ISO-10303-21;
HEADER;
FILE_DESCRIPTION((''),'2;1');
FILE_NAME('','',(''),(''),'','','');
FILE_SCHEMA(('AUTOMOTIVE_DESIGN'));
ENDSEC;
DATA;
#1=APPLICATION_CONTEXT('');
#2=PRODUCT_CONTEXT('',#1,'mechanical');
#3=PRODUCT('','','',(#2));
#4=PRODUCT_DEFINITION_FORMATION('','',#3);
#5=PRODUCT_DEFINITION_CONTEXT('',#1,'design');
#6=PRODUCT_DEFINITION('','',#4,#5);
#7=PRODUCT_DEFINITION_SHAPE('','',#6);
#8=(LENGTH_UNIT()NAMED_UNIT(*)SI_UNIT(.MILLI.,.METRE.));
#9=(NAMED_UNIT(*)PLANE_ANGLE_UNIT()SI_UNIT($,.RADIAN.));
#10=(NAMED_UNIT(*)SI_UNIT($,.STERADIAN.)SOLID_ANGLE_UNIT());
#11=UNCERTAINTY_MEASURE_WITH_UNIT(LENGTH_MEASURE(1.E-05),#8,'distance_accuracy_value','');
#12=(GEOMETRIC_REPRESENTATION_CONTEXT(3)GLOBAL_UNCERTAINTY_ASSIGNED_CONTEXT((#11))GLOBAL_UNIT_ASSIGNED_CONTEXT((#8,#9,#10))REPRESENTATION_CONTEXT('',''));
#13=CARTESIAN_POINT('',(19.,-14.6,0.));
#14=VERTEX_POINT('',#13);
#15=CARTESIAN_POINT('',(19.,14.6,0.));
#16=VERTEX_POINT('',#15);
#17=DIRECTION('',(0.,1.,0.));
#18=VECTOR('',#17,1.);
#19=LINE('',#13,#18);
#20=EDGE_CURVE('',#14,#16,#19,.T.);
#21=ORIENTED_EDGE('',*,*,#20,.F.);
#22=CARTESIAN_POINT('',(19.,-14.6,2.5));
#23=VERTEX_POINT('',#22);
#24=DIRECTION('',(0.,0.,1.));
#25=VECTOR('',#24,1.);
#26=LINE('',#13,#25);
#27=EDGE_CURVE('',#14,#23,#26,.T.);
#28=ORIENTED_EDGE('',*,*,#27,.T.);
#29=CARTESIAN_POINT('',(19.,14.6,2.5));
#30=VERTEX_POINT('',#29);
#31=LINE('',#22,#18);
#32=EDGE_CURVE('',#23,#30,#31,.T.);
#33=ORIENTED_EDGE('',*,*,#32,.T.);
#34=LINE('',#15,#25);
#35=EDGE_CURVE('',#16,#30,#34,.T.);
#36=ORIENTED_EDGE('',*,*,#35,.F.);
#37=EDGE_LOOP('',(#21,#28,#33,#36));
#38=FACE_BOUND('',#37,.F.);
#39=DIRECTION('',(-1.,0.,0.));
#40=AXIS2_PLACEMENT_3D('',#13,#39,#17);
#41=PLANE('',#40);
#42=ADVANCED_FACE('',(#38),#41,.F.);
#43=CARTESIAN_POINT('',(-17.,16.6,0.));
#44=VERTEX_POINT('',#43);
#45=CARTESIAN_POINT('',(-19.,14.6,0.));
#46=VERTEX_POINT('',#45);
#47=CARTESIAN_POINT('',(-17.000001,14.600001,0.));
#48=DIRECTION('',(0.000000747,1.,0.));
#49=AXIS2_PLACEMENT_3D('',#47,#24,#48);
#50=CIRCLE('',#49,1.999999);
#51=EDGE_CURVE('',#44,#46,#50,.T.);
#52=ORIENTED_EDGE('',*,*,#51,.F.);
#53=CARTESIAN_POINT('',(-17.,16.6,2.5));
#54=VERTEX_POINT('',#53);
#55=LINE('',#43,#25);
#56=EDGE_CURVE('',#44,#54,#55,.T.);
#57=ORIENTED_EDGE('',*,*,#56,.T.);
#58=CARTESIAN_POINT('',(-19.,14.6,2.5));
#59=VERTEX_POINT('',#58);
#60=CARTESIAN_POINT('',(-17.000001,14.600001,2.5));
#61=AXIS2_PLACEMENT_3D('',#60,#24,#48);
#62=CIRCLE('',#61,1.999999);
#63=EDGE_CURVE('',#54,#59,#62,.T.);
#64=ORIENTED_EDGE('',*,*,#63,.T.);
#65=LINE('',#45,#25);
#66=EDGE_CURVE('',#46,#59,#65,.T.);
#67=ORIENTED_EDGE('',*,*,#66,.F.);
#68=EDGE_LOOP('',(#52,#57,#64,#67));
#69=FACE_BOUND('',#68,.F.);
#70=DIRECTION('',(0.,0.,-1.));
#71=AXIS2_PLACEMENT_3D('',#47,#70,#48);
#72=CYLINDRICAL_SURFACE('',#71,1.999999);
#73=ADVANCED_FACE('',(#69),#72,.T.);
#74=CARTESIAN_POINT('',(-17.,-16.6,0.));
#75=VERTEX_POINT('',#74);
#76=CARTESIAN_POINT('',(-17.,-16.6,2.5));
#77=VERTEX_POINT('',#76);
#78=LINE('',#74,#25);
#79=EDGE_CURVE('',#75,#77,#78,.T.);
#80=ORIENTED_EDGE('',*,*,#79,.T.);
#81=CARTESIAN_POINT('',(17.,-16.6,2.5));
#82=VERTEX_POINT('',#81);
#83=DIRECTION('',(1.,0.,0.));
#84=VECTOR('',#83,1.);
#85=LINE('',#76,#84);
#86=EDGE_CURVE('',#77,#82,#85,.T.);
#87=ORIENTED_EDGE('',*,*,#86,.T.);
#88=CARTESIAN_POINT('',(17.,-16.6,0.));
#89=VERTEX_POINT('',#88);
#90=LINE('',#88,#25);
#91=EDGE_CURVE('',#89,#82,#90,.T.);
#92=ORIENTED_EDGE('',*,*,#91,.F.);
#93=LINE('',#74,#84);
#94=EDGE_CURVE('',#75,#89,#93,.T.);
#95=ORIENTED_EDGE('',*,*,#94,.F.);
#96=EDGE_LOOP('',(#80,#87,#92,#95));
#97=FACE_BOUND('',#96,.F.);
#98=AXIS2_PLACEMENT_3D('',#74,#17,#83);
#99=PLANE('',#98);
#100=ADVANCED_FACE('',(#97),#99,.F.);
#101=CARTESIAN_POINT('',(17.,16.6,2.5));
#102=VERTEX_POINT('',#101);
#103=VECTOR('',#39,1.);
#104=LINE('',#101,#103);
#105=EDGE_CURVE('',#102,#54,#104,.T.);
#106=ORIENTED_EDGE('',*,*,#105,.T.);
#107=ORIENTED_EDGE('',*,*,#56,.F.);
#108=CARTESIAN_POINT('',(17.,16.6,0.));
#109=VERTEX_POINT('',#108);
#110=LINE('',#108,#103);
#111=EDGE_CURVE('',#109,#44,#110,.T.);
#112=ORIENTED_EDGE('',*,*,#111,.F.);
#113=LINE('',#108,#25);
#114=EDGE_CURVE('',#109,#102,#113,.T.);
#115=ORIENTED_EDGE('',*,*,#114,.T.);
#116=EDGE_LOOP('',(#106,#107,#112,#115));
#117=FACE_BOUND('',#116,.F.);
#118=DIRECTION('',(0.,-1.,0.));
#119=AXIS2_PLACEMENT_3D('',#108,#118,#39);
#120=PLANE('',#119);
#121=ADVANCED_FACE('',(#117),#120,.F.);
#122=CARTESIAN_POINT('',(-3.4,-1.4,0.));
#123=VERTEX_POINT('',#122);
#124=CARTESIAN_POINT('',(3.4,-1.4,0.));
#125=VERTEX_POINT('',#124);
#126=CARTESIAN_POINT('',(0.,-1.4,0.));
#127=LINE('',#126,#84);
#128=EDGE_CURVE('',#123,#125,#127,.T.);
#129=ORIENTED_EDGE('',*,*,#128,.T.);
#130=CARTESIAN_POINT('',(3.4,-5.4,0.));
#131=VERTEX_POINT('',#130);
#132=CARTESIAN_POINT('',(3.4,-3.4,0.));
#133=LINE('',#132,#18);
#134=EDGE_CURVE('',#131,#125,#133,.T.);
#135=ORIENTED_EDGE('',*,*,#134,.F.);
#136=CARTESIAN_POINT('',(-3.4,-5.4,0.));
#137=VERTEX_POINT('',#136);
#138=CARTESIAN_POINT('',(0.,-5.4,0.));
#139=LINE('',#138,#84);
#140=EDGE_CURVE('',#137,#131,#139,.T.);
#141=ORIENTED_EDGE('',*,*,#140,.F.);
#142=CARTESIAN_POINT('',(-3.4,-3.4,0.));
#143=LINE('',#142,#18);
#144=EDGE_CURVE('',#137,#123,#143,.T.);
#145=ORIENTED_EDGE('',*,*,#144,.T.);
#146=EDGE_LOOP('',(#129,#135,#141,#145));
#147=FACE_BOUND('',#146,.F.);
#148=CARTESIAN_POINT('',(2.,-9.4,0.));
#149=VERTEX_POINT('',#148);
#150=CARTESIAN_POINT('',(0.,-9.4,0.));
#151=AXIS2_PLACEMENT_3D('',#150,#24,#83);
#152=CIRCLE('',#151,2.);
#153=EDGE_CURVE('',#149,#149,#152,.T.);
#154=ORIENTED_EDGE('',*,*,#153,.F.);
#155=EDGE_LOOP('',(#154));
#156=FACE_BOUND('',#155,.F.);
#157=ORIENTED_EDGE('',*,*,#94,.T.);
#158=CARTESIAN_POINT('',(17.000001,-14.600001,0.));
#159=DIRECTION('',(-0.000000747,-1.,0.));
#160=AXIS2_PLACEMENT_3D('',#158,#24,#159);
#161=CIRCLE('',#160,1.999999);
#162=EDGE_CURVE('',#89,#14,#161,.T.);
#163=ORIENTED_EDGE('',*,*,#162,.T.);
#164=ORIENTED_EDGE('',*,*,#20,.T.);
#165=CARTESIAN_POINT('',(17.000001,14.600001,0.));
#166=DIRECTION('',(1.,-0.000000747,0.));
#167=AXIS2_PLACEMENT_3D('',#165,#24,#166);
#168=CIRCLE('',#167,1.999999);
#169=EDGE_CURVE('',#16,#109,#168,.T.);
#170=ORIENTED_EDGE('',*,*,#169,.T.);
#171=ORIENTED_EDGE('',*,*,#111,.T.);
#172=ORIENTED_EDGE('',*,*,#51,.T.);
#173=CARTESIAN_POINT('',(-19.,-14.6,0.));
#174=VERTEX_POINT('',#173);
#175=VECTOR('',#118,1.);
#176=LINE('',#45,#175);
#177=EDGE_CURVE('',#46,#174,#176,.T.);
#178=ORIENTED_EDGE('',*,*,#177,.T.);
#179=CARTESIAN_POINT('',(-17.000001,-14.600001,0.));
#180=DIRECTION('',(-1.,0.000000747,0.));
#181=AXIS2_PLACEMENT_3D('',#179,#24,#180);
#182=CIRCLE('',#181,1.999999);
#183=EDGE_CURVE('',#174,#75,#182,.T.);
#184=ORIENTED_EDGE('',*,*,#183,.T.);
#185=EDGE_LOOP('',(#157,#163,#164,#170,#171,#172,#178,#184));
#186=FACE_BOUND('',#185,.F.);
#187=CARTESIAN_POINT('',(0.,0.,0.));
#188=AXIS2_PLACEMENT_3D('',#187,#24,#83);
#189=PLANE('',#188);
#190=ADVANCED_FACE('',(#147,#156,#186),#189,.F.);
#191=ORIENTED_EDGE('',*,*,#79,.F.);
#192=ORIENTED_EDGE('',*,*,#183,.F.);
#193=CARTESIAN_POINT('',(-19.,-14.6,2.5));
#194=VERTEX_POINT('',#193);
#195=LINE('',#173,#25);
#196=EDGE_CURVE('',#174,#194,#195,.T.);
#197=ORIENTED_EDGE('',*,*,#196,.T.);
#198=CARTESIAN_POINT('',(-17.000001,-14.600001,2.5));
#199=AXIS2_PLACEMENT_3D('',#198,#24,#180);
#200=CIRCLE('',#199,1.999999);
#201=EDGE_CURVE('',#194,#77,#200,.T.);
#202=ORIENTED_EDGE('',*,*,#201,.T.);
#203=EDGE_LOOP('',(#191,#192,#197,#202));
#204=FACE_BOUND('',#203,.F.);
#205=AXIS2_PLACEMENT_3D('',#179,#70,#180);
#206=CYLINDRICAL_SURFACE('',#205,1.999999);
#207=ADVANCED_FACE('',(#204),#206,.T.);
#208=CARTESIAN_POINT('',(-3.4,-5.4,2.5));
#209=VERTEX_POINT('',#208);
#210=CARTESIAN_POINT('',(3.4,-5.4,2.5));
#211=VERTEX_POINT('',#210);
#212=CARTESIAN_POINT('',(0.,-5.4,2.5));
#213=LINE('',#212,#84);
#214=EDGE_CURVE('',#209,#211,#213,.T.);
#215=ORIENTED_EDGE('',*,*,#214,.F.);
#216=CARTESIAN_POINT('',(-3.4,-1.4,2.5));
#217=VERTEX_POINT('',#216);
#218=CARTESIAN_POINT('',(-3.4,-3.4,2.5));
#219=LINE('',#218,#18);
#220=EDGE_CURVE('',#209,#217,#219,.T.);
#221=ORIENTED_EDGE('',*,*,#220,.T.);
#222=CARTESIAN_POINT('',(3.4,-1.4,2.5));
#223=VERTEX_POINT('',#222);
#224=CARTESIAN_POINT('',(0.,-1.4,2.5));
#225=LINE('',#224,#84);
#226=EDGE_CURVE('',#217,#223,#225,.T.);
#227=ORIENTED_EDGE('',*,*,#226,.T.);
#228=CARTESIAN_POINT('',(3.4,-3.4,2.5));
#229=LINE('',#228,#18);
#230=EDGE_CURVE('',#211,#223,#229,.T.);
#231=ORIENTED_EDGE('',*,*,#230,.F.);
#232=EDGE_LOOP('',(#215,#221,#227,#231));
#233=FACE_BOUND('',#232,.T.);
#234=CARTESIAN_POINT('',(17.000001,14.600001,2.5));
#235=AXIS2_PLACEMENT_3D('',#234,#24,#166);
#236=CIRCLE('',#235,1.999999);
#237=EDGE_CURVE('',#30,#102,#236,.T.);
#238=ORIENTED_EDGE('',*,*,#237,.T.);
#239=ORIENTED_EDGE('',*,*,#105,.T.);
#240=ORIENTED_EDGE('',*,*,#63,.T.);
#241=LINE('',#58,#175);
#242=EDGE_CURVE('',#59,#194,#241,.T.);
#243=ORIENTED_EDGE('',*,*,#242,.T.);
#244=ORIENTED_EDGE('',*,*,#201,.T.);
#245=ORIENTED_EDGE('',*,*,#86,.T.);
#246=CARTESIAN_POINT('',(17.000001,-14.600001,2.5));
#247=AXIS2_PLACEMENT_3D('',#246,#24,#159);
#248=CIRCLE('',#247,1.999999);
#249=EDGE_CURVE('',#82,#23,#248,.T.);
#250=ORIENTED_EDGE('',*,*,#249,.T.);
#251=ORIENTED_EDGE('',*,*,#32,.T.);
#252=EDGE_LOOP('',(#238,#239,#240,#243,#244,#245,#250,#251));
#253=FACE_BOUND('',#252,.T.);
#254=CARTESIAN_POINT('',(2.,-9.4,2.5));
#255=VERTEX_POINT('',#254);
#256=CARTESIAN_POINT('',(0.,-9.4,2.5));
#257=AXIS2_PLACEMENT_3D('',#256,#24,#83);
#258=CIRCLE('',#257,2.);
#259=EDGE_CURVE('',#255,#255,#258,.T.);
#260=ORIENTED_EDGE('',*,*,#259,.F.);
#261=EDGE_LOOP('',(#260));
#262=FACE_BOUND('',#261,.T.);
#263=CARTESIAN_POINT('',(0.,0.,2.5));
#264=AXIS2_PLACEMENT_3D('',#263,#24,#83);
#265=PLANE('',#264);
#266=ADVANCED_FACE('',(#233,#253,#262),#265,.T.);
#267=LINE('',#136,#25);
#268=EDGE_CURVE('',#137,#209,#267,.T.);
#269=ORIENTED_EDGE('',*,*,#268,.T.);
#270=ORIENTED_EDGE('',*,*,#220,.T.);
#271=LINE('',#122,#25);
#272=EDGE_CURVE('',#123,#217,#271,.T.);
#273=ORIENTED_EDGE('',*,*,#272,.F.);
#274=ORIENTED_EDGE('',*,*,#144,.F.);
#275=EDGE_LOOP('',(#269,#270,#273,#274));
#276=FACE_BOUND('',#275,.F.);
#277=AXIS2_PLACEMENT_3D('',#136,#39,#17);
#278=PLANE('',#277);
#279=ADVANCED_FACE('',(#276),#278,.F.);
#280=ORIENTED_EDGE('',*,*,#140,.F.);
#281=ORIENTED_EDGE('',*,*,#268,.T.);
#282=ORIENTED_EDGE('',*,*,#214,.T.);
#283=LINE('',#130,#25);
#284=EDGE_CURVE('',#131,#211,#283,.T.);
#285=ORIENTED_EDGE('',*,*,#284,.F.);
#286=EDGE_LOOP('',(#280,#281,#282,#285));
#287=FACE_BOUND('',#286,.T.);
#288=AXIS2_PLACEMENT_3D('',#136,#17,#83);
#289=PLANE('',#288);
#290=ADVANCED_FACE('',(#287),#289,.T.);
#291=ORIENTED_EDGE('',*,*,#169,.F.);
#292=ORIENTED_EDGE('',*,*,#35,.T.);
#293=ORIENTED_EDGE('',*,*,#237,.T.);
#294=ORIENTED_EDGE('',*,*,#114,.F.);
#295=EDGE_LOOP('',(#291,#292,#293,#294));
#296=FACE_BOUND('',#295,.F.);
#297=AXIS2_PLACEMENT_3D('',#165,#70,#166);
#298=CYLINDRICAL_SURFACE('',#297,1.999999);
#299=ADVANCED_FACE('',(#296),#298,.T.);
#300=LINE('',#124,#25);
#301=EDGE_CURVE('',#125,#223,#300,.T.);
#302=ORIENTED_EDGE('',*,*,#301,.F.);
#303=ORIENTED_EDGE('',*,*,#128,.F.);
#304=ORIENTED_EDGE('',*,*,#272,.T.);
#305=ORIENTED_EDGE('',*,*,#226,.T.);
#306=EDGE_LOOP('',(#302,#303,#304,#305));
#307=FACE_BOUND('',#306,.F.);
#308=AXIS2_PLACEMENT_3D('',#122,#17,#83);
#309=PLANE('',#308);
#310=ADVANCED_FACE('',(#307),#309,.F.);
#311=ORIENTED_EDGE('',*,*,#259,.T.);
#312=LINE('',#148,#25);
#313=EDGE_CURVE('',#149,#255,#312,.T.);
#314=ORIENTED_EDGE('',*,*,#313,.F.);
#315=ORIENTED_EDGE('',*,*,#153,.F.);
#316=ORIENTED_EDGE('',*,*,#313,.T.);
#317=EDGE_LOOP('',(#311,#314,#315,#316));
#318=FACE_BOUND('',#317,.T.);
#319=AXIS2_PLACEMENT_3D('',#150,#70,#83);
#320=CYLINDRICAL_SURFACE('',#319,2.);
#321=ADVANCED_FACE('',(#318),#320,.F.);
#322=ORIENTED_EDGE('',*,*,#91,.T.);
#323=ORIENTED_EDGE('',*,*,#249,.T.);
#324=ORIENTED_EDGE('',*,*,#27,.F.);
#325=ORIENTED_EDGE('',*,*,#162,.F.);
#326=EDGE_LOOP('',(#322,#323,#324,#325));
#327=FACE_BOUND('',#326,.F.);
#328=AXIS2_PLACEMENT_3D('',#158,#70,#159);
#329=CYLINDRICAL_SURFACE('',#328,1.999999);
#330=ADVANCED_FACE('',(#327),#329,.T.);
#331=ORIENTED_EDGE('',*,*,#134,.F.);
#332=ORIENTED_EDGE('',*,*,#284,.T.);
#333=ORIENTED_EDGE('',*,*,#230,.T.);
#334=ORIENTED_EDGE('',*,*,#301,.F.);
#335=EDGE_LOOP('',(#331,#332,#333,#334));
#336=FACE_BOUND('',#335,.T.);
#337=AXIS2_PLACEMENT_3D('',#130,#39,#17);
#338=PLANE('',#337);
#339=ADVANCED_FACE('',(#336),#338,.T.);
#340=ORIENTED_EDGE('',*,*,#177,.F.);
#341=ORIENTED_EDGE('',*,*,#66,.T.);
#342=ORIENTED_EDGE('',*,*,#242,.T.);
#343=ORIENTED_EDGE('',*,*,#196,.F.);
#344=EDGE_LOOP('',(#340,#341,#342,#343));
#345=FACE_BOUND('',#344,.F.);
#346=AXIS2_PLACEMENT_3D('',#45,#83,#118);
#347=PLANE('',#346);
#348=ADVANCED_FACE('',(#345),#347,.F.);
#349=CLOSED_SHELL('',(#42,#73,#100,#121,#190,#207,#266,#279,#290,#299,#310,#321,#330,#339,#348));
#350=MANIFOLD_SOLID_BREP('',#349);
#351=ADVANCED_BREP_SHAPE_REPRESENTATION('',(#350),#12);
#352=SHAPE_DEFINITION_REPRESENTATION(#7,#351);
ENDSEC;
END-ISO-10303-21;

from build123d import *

# Parameters (mm, degrees)
F0_R     = 2
F0_W     = 6.8
F0_H     = 4
F1_DEPTH = 2.5


with BuildPart() as f1:
    # F0 (on Top) → F1 (new body)
    with BuildSketch(Plane.XY):
        with BuildLine():
            Line((17, 16.6), (-17, 16.6))
            ThreePointArc((-17, 16.6), (-18.414214, 16.014214), (-19, 14.6))
            Line((-19, 14.6), (-19, -14.6))
            ThreePointArc((-19, -14.6), (-18.414214, -16.014214), (-17, -16.6))
            Line((-17, -16.6), (17, -16.6))
            ThreePointArc((17, -16.6), (18.414214, -16.014214), (19, -14.6))
            Line((19, -14.6), (19, 14.6))
            ThreePointArc((19, 14.6), (18.414214, 16.014214), (17, 16.6))
        make_face()
        with Locations((0, -9.4)):
            Circle(F0_R, mode=Mode.SUBTRACT)
        with Locations((0, -3.4)):
            Rectangle(F0_W, F0_H, mode=Mode.SUBTRACT)
    extrude(amount=F1_DEPTH)


solid = f1.part
